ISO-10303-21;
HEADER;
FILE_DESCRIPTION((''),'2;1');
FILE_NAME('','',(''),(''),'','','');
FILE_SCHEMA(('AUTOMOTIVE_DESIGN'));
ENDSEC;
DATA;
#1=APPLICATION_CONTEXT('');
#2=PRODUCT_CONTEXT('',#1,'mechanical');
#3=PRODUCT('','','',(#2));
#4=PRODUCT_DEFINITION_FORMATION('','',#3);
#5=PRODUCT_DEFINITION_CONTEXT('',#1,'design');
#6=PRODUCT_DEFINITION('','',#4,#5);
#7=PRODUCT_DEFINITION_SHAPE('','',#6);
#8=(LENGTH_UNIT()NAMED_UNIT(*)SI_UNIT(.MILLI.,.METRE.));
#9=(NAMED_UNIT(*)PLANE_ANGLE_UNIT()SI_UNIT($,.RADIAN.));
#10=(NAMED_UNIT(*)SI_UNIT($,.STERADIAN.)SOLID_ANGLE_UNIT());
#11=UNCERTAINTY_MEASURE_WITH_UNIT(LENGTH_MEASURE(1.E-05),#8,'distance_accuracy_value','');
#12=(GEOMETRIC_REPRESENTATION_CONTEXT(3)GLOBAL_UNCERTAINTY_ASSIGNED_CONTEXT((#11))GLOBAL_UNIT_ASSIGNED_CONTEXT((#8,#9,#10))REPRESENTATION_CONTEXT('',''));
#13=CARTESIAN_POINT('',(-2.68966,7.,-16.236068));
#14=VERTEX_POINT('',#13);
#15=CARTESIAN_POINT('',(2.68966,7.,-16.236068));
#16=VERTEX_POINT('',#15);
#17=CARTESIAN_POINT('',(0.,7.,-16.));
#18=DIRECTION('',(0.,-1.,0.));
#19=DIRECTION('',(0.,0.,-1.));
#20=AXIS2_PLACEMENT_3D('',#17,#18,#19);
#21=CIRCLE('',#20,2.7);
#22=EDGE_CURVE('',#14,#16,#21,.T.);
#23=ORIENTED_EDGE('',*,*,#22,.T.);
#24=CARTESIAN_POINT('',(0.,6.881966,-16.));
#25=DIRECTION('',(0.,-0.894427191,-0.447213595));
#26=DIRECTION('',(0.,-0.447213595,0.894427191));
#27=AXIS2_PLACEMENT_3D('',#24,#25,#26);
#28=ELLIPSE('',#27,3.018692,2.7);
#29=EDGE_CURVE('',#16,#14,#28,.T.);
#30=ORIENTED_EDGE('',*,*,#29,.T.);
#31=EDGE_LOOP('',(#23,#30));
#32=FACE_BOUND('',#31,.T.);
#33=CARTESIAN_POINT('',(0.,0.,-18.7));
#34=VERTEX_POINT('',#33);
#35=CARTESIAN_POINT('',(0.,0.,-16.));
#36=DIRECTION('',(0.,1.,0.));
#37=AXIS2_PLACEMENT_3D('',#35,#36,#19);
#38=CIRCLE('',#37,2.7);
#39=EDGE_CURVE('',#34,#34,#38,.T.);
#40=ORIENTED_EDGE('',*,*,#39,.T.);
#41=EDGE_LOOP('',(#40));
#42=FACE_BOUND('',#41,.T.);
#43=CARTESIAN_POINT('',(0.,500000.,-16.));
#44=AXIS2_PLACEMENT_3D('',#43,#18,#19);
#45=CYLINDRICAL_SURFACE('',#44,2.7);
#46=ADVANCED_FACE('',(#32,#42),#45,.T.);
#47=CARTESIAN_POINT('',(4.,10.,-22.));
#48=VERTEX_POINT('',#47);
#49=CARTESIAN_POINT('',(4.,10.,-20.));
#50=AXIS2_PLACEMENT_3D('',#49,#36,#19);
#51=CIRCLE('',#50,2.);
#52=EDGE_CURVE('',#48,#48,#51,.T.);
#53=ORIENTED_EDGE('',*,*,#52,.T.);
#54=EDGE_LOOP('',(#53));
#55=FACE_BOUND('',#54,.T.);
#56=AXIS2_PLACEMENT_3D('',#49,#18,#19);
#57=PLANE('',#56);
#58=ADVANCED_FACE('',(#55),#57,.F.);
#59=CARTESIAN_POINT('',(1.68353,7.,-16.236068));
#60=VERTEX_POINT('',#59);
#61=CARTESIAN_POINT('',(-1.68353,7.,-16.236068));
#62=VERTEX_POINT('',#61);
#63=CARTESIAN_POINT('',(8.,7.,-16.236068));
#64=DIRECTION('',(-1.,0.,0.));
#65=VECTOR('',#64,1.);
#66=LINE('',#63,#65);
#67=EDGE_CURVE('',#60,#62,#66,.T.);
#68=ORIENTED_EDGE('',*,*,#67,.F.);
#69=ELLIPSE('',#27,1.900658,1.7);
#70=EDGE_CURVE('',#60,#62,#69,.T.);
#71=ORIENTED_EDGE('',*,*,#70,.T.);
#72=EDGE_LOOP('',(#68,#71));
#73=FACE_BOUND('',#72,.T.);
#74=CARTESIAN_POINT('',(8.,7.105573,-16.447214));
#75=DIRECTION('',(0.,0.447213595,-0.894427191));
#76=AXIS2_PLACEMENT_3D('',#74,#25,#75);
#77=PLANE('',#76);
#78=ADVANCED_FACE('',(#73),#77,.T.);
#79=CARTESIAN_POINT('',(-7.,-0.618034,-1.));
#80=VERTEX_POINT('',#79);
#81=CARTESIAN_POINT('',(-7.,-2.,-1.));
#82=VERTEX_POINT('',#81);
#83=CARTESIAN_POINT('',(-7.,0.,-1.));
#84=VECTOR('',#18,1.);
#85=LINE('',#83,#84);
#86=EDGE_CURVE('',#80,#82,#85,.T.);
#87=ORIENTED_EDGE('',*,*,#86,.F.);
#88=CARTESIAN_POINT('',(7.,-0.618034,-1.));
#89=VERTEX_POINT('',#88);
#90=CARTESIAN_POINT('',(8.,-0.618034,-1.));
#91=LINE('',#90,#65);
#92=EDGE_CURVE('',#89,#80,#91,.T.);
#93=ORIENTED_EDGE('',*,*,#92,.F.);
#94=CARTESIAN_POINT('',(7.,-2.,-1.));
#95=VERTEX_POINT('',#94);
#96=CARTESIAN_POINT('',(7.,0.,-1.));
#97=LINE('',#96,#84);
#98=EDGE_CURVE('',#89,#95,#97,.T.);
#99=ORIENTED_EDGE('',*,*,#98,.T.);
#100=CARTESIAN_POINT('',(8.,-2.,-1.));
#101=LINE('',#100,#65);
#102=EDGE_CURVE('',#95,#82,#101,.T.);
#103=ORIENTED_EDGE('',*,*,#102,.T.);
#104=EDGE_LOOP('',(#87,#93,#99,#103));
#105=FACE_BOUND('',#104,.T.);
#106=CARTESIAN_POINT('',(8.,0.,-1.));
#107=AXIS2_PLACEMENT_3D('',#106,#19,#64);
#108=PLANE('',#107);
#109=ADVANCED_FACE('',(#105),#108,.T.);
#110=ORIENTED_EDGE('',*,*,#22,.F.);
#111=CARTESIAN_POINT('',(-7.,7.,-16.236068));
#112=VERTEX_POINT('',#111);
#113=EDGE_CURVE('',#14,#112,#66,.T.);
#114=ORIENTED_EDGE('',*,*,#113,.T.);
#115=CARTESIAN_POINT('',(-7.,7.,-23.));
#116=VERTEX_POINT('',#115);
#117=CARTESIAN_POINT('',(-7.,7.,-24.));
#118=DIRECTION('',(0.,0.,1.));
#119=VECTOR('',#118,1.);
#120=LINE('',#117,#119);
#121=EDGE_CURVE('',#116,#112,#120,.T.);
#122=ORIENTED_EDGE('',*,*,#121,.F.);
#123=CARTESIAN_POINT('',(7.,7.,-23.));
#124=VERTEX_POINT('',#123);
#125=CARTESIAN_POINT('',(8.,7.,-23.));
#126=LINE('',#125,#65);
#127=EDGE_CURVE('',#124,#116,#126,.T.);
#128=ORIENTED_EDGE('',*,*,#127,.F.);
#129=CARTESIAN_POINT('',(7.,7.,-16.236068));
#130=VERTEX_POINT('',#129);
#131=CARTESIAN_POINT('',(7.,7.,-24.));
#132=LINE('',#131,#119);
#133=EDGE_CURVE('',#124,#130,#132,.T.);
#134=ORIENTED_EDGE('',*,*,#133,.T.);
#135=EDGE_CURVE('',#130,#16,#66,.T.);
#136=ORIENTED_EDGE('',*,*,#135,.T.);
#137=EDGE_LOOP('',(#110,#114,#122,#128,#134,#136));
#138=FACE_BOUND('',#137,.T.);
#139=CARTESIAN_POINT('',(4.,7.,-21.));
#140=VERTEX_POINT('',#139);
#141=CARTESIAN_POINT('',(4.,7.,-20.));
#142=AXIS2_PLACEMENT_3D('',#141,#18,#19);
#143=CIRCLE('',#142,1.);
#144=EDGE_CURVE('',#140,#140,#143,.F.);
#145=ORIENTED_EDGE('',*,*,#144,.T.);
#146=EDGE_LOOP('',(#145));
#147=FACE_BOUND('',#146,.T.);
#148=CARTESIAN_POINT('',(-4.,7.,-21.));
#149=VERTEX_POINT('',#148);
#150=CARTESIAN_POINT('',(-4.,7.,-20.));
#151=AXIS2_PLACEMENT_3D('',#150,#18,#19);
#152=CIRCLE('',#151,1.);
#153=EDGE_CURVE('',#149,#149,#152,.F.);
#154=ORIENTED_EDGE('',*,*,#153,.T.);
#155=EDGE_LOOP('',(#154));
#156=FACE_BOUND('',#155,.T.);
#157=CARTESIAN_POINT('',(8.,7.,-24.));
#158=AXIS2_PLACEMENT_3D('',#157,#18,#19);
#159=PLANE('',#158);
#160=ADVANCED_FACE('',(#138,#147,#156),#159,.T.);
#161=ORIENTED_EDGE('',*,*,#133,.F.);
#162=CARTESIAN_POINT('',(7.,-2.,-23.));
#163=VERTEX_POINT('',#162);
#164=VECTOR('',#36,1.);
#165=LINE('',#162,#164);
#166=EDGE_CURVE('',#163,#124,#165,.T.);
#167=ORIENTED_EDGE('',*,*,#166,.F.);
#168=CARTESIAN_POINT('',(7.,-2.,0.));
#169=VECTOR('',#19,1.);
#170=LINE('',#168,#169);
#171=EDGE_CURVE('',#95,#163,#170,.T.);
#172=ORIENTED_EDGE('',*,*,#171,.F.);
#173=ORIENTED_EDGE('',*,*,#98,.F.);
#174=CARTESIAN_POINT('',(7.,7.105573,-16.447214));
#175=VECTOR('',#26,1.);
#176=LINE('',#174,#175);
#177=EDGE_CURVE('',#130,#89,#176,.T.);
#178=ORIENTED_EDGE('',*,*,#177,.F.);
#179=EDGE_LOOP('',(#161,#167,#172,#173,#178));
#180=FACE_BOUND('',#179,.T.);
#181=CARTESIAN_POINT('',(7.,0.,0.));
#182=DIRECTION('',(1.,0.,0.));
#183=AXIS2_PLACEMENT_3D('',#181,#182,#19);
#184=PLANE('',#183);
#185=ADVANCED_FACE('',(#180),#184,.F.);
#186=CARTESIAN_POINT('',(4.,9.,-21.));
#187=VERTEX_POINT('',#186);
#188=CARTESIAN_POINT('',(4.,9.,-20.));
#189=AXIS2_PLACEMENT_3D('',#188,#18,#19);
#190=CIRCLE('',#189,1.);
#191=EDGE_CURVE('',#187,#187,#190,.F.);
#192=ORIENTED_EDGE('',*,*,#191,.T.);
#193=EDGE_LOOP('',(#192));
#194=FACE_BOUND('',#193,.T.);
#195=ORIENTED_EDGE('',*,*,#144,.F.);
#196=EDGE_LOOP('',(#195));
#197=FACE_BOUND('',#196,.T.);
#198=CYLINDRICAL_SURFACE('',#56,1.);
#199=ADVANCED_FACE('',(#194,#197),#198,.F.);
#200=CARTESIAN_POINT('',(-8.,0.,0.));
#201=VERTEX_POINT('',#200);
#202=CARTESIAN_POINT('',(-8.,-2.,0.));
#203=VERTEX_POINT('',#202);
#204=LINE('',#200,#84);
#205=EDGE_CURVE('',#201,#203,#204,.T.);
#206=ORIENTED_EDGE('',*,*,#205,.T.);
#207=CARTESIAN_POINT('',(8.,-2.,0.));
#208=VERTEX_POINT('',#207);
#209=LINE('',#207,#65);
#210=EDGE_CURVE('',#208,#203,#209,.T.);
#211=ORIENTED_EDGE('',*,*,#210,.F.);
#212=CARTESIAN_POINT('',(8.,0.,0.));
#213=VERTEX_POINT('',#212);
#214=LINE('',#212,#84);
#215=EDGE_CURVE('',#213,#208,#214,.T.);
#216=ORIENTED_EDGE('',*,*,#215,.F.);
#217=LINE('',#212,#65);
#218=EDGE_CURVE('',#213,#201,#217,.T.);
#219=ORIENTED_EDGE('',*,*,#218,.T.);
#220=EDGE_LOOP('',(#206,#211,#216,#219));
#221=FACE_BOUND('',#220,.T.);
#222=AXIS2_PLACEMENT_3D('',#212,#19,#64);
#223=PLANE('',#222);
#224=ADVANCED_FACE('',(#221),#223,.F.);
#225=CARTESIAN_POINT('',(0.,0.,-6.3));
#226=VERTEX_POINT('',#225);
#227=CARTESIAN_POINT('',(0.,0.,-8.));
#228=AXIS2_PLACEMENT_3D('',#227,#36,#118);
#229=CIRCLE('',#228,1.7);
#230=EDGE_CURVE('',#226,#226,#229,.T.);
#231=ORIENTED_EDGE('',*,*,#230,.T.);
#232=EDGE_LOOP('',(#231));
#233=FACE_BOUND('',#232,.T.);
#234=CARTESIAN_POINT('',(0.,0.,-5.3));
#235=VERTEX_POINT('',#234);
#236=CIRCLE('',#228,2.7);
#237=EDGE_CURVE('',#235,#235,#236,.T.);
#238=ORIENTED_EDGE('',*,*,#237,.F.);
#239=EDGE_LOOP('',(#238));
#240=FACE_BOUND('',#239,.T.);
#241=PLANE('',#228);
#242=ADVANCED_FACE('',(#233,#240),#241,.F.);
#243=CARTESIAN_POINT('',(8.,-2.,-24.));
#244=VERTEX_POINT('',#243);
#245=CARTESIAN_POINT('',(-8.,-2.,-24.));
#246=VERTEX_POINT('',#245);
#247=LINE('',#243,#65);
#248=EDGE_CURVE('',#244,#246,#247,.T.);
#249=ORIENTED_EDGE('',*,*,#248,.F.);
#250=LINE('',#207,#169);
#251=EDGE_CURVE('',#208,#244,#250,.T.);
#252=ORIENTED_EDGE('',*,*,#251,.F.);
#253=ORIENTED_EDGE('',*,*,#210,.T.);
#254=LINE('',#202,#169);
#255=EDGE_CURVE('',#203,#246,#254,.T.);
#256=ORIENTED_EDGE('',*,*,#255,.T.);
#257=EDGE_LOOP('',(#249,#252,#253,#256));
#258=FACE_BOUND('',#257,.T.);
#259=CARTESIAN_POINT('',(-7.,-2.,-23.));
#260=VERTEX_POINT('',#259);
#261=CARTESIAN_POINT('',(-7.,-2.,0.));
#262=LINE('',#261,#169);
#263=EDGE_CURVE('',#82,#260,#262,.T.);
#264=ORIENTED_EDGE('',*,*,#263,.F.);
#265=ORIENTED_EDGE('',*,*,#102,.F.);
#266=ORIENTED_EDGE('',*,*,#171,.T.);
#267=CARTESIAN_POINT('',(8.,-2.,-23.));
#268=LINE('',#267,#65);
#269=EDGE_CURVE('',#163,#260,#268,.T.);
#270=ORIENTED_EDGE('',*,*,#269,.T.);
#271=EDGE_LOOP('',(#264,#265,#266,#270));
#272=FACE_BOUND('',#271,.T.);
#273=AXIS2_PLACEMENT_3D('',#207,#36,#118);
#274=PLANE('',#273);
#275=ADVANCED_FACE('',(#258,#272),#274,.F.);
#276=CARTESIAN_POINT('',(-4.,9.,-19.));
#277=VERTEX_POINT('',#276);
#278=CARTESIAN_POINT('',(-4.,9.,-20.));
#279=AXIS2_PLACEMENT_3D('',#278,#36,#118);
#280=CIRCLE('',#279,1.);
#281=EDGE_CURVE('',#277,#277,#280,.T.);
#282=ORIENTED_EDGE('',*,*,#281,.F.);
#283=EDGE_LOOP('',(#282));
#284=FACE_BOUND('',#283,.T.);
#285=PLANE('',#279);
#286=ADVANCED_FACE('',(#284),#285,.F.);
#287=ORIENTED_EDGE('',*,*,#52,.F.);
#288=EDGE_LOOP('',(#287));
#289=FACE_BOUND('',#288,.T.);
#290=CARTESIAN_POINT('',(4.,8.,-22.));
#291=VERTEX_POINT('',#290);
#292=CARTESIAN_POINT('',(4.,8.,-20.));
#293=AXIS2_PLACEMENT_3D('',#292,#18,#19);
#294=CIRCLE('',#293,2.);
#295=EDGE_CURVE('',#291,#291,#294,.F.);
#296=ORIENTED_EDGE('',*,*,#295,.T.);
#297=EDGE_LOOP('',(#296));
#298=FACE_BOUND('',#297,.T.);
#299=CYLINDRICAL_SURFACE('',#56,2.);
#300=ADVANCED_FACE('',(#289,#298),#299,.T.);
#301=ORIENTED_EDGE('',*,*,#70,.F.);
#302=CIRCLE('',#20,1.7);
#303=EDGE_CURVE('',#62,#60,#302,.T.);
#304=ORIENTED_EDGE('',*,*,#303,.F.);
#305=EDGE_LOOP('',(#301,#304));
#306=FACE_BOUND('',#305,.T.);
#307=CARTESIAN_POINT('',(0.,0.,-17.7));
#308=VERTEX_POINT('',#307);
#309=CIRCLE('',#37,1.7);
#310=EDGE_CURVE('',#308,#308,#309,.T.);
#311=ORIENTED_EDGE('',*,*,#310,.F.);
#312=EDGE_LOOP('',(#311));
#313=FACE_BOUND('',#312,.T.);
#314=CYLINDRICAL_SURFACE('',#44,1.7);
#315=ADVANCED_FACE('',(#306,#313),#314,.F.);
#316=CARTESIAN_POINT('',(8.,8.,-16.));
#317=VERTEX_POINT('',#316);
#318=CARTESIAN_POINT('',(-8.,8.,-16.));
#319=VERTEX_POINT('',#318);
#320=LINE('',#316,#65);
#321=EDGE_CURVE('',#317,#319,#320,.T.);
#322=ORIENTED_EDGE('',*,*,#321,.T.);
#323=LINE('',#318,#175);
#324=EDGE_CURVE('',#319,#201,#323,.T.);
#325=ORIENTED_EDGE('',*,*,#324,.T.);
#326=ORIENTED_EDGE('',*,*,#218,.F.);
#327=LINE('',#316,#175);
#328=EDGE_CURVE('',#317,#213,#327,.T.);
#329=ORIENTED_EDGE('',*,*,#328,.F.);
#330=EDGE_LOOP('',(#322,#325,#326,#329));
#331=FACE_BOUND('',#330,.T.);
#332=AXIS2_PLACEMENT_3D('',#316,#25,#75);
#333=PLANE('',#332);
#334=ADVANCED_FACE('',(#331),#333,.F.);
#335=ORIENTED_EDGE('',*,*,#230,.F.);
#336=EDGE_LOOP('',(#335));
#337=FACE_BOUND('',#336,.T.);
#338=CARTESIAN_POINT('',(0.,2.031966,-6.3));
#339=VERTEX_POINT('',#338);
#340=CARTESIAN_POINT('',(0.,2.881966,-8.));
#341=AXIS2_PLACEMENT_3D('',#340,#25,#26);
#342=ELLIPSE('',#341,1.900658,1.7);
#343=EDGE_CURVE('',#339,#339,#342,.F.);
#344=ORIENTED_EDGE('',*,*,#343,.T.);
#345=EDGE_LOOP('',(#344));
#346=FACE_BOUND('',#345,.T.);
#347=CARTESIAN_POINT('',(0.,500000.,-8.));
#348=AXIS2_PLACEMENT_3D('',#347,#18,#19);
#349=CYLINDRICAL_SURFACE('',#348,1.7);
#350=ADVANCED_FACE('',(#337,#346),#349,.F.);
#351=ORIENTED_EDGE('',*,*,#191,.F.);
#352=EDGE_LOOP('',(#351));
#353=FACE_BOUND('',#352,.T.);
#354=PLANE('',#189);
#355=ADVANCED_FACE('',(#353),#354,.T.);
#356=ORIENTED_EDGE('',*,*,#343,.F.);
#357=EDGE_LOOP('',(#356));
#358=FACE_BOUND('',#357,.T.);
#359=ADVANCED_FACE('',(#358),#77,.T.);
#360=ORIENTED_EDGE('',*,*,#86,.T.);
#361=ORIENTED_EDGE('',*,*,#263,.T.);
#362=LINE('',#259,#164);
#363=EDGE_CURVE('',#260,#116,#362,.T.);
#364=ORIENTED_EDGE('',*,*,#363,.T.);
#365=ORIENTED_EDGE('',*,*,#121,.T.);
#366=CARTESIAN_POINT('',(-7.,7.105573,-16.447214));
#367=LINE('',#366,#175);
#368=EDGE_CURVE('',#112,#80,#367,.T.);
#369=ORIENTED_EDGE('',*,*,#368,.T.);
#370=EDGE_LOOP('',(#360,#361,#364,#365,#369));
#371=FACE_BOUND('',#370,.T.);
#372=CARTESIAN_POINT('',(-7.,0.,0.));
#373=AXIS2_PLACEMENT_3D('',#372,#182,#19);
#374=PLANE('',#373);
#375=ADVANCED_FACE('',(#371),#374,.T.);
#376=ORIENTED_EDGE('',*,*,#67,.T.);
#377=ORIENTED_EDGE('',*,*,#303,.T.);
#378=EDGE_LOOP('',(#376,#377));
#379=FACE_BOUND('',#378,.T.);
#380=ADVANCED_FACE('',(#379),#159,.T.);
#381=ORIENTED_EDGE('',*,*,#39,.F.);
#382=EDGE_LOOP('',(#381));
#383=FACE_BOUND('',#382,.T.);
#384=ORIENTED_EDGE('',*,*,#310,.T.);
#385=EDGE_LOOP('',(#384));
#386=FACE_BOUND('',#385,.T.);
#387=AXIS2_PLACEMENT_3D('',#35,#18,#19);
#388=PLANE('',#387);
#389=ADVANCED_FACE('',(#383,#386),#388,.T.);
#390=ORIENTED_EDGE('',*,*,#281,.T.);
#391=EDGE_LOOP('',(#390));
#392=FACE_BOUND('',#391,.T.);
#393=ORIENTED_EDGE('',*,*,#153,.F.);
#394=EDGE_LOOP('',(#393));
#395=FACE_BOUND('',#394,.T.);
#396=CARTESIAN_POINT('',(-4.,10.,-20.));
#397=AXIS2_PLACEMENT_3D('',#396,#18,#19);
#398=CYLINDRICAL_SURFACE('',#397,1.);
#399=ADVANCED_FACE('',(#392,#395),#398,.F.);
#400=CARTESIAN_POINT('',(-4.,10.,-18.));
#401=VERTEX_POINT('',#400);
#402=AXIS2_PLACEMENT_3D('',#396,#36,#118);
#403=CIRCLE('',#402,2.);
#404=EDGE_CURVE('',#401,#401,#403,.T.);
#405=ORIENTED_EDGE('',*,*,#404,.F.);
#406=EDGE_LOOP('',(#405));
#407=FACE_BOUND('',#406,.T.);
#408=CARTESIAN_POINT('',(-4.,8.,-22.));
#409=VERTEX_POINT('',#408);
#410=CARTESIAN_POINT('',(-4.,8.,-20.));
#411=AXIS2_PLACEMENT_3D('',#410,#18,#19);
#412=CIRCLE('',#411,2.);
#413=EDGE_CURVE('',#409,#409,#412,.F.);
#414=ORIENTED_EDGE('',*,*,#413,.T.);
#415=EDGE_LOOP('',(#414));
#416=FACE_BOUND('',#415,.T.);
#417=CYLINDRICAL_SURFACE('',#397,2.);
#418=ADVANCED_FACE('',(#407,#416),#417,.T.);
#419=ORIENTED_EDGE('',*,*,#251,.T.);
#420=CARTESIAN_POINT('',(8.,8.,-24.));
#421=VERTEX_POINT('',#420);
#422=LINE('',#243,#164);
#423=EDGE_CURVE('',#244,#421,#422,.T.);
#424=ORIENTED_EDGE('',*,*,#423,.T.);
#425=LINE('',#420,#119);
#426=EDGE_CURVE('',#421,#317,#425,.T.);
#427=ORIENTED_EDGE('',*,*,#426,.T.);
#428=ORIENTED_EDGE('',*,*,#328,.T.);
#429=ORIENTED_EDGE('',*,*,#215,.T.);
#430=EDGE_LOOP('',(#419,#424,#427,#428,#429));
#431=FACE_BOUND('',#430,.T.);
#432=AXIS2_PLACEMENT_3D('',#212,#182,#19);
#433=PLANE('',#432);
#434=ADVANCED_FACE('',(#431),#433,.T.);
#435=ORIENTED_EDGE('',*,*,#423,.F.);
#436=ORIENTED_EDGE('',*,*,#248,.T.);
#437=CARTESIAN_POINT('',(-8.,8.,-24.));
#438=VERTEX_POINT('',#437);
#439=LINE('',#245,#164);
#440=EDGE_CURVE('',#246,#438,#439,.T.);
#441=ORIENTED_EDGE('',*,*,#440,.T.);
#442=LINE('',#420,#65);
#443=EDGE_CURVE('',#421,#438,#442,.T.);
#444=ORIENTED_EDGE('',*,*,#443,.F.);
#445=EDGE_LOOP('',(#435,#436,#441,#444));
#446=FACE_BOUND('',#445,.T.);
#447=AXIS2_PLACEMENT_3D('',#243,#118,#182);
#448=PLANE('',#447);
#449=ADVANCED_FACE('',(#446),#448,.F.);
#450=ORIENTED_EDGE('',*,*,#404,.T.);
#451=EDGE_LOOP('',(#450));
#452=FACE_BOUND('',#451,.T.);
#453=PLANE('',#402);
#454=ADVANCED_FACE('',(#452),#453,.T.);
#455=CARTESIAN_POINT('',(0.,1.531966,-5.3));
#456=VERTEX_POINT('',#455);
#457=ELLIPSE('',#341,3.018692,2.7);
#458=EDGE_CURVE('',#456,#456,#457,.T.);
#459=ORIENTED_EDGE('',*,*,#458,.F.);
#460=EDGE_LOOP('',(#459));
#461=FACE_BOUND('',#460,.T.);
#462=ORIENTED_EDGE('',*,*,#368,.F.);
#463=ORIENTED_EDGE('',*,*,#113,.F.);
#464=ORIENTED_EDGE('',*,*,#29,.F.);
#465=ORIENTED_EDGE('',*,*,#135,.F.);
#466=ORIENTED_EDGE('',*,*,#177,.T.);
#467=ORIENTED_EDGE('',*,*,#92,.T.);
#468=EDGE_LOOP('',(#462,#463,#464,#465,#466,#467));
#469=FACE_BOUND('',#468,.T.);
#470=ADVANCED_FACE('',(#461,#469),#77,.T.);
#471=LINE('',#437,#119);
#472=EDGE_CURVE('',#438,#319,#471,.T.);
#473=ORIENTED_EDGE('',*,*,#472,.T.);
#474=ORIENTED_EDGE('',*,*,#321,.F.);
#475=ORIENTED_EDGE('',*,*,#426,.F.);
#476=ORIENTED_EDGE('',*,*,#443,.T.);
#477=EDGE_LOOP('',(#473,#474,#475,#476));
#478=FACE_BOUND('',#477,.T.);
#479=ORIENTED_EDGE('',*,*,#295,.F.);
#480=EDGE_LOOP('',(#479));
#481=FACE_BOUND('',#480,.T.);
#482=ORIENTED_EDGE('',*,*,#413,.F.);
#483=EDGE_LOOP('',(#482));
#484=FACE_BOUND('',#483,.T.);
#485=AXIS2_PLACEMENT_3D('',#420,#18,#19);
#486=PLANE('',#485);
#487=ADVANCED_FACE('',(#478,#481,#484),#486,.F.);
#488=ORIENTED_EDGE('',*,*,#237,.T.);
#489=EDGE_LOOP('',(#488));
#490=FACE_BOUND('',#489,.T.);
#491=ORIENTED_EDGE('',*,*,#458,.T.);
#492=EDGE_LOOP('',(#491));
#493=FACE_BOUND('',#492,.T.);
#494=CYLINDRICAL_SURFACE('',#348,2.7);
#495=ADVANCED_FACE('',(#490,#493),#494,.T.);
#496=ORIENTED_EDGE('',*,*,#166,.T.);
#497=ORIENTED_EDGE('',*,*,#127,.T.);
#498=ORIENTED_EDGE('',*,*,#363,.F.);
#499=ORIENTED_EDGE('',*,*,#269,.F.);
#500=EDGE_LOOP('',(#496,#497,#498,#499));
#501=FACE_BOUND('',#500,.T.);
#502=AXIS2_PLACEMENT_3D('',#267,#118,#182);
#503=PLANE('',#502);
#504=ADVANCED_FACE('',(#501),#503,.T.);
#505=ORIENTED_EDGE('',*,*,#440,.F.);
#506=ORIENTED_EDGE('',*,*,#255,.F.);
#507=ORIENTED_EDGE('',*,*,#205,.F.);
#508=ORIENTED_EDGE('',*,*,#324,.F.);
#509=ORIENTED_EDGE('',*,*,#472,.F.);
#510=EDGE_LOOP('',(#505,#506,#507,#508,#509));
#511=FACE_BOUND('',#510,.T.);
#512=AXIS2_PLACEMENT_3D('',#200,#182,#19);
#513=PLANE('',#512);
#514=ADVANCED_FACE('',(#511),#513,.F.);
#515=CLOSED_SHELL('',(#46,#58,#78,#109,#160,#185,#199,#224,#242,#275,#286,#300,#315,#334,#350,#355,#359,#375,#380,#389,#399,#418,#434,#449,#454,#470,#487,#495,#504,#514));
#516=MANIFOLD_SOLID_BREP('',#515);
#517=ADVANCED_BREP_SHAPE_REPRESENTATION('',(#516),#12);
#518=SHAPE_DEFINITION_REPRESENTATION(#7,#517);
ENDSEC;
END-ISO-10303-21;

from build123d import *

# Parameters (mm, degrees)
BOSS_EXTRUDE1_DEPTH = 8
SKETCH2_R           = 2
BOSS_EXTRUDE2_DEPTH = 2
SHELL1_T            = -1
BOSS_EXTRUDE3_REACH = 12
SKETCH3_R           = 2.7
SKETCH3_R_2         = 1.7


with BuildPart() as part:
    # Sketch1 → Boss-Extrude1 (new body, symmetric)
    with BuildSketch(Plane(origin=(0, 0, 0), x_dir=(0, 0, -1), z_dir=(1, 0, 0))):
        Polygon((0, 0), (0, -2), (24, -2), (24, 8), (16, 8), align=None)
    extrude(amount=BOSS_EXTRUDE1_DEPTH, both=True)

    # Sketch2 → Boss-Extrude2 (add)
    with BuildSketch(Plane(origin=(0, 8, 0), x_dir=(1, 0, 0), z_dir=(0, 1, 0))):
        with Locations((-4, 20)):
            Circle(SKETCH2_R)
        with Locations((4, 20)):
            Circle(SKETCH2_R)
    extrude(amount=BOSS_EXTRUDE2_DEPTH)

    # Shell1
    shell1_openings = [part.faces().sort_by_distance(p)[0] for p in [
        (0, -2, -12),
    ]]
    offset(amount=SHELL1_T, openings=shell1_openings, kind=Kind.INTERSECTION)

    # Sketch3 → Boss-Extrude3 (add, up to next)
    with BuildSketch(Plane(origin=(0, 0, 0), x_dir=(1, 0, 0), z_dir=(0, 1, 0)), mode=Mode.PRIVATE) as boss_extrude3_sk1:
        with Locations((0, 8)):
            Circle(SKETCH3_R)
        with Locations((0, 8)):
            Circle(SKETCH3_R_2, mode=Mode.SUBTRACT)
    boss_extrude3_tool1 = extrude(boss_extrude3_sk1.sketch, amount=BOSS_EXTRUDE3_REACH, mode=Mode.PRIVATE) - part.part
    add(boss_extrude3_tool1.solids().sort_by_distance((-2.623632, 0, -8))[0])
    # Sketch3 → Boss-Extrude3 (add, up to next)
    with BuildSketch(Plane(origin=(0, 0, 0), x_dir=(1, 0, 0), z_dir=(0, 1, 0)), mode=Mode.PRIVATE) as boss_extrude3_sk2:
        with Locations((0, 16)):
            Circle(SKETCH3_R)
        with Locations((0, 16)):
            Circle(SKETCH3_R_2, mode=Mode.SUBTRACT)
    boss_extrude3_tool2 = extrude(boss_extrude3_sk2.sketch, amount=BOSS_EXTRUDE3_REACH, mode=Mode.PRIVATE) - part.part
    add(boss_extrude3_tool2.solids().sort_by_distance((-2.623632, 0, -16))[0])


solid = part.part
